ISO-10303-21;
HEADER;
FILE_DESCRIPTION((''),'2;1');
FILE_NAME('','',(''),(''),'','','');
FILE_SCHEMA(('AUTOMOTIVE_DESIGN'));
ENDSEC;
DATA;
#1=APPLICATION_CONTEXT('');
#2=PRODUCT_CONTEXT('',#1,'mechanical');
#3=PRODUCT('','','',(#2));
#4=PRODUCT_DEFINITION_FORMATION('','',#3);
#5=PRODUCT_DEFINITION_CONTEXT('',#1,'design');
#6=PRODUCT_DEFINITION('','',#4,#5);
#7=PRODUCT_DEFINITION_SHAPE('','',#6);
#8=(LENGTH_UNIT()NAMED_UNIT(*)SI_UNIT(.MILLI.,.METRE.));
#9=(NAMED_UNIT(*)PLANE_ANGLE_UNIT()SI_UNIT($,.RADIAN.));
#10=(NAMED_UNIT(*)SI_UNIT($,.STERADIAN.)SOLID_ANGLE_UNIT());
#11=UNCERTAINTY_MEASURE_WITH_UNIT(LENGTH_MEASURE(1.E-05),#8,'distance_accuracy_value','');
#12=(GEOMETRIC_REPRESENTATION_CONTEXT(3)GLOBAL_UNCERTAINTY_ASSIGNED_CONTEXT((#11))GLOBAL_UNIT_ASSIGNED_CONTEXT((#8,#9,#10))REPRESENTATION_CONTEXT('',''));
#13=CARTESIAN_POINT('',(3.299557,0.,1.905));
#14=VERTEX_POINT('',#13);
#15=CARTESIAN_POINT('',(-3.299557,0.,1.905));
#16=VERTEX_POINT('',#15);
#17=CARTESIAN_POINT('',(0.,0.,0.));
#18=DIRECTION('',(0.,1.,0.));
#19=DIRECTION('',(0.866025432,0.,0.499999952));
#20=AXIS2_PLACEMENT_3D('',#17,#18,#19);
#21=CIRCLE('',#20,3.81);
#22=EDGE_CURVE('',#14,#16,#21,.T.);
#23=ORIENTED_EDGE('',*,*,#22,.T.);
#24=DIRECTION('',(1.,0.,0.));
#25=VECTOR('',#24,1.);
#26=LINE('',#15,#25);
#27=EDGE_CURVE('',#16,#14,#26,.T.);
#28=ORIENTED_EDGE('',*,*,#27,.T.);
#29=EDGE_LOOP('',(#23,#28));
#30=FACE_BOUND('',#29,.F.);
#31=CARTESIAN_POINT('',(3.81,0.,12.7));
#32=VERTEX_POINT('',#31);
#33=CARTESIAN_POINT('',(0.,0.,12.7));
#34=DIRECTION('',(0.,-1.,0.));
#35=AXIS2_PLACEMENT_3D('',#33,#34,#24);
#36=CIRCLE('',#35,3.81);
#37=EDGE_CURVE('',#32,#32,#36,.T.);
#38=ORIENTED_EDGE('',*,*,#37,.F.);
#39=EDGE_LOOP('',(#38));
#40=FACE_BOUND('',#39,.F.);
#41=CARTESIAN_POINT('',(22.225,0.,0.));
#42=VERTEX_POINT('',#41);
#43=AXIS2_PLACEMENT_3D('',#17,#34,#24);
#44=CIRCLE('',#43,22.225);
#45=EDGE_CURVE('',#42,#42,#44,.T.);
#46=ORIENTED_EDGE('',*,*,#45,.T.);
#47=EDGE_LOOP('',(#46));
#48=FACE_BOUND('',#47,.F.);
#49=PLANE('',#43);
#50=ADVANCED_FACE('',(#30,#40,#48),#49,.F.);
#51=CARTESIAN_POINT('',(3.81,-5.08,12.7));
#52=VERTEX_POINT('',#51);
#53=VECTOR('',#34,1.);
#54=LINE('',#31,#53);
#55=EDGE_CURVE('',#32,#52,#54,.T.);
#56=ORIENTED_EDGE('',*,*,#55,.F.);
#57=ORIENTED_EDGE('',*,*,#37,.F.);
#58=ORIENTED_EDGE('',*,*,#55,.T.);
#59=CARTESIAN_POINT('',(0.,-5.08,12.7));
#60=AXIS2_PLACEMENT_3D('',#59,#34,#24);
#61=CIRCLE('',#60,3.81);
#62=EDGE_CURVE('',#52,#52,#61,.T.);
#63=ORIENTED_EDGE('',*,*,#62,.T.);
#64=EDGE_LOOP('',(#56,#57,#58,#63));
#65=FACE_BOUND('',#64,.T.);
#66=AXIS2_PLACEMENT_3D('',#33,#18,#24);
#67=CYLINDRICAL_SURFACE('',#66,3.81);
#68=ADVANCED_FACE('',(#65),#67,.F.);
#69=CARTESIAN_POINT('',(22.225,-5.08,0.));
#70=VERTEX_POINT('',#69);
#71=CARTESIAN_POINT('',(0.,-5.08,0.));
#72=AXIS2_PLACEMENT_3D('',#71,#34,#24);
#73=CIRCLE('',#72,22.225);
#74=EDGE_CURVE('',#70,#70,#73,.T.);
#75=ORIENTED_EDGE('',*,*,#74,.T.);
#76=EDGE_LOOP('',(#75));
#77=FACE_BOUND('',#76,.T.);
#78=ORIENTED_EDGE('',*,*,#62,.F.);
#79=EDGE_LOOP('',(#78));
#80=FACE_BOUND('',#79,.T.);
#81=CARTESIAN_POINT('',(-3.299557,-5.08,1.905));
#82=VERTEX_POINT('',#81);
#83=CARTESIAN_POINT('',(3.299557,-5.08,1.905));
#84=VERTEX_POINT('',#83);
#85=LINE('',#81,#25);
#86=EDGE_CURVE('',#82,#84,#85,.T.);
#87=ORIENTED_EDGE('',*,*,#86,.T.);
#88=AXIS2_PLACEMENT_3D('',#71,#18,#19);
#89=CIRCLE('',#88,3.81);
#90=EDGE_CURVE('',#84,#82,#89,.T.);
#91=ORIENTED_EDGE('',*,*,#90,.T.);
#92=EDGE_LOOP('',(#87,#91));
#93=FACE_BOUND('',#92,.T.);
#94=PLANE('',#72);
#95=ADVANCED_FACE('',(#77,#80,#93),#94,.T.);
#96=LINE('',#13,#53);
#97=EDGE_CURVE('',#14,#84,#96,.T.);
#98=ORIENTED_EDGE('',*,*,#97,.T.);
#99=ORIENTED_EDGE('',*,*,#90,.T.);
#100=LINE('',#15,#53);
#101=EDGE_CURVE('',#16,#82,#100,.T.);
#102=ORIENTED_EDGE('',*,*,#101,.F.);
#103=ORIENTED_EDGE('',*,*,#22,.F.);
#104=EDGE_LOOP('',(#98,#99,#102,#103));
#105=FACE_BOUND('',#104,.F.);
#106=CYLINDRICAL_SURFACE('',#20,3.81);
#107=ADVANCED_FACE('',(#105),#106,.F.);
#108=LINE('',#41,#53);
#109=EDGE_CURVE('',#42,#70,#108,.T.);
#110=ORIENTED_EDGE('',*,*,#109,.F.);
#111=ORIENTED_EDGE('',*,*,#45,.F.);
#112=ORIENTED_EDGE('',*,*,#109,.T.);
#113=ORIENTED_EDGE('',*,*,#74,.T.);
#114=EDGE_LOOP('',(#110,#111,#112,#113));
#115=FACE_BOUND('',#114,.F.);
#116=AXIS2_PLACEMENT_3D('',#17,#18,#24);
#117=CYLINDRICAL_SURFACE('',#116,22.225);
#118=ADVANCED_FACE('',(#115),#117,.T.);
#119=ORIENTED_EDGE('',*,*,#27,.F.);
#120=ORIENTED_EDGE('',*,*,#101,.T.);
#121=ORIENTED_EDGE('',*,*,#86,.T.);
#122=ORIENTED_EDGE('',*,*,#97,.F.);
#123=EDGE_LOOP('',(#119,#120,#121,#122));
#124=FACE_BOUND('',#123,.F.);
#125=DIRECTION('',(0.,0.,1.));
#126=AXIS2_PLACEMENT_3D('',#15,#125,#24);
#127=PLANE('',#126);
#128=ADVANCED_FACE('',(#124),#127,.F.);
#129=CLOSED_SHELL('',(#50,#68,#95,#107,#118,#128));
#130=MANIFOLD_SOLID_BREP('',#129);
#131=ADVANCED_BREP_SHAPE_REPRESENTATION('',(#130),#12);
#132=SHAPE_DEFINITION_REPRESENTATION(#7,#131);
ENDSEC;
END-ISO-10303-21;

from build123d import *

# Parameters (mm, degrees)
F0_R     = 22.225
F0_R_2   = 3.81
F1_DEPTH = 5.08


with BuildPart() as f1:
    # F0 (on Front) → F1 (new body)
    with BuildSketch(Plane.XZ):
        Circle(F0_R)
        with BuildLine():
            ThreePointArc((3.299557, 1.905), (0, -3.81), (-3.299557, 1.905))
            Line((-3.299557, 1.905), (3.299557, 1.905))
        make_face(mode=Mode.SUBTRACT)
        with Locations((0, 12.7)):
            Circle(F0_R_2, mode=Mode.SUBTRACT)
    extrude(amount=F1_DEPTH)


solid = f1.part
